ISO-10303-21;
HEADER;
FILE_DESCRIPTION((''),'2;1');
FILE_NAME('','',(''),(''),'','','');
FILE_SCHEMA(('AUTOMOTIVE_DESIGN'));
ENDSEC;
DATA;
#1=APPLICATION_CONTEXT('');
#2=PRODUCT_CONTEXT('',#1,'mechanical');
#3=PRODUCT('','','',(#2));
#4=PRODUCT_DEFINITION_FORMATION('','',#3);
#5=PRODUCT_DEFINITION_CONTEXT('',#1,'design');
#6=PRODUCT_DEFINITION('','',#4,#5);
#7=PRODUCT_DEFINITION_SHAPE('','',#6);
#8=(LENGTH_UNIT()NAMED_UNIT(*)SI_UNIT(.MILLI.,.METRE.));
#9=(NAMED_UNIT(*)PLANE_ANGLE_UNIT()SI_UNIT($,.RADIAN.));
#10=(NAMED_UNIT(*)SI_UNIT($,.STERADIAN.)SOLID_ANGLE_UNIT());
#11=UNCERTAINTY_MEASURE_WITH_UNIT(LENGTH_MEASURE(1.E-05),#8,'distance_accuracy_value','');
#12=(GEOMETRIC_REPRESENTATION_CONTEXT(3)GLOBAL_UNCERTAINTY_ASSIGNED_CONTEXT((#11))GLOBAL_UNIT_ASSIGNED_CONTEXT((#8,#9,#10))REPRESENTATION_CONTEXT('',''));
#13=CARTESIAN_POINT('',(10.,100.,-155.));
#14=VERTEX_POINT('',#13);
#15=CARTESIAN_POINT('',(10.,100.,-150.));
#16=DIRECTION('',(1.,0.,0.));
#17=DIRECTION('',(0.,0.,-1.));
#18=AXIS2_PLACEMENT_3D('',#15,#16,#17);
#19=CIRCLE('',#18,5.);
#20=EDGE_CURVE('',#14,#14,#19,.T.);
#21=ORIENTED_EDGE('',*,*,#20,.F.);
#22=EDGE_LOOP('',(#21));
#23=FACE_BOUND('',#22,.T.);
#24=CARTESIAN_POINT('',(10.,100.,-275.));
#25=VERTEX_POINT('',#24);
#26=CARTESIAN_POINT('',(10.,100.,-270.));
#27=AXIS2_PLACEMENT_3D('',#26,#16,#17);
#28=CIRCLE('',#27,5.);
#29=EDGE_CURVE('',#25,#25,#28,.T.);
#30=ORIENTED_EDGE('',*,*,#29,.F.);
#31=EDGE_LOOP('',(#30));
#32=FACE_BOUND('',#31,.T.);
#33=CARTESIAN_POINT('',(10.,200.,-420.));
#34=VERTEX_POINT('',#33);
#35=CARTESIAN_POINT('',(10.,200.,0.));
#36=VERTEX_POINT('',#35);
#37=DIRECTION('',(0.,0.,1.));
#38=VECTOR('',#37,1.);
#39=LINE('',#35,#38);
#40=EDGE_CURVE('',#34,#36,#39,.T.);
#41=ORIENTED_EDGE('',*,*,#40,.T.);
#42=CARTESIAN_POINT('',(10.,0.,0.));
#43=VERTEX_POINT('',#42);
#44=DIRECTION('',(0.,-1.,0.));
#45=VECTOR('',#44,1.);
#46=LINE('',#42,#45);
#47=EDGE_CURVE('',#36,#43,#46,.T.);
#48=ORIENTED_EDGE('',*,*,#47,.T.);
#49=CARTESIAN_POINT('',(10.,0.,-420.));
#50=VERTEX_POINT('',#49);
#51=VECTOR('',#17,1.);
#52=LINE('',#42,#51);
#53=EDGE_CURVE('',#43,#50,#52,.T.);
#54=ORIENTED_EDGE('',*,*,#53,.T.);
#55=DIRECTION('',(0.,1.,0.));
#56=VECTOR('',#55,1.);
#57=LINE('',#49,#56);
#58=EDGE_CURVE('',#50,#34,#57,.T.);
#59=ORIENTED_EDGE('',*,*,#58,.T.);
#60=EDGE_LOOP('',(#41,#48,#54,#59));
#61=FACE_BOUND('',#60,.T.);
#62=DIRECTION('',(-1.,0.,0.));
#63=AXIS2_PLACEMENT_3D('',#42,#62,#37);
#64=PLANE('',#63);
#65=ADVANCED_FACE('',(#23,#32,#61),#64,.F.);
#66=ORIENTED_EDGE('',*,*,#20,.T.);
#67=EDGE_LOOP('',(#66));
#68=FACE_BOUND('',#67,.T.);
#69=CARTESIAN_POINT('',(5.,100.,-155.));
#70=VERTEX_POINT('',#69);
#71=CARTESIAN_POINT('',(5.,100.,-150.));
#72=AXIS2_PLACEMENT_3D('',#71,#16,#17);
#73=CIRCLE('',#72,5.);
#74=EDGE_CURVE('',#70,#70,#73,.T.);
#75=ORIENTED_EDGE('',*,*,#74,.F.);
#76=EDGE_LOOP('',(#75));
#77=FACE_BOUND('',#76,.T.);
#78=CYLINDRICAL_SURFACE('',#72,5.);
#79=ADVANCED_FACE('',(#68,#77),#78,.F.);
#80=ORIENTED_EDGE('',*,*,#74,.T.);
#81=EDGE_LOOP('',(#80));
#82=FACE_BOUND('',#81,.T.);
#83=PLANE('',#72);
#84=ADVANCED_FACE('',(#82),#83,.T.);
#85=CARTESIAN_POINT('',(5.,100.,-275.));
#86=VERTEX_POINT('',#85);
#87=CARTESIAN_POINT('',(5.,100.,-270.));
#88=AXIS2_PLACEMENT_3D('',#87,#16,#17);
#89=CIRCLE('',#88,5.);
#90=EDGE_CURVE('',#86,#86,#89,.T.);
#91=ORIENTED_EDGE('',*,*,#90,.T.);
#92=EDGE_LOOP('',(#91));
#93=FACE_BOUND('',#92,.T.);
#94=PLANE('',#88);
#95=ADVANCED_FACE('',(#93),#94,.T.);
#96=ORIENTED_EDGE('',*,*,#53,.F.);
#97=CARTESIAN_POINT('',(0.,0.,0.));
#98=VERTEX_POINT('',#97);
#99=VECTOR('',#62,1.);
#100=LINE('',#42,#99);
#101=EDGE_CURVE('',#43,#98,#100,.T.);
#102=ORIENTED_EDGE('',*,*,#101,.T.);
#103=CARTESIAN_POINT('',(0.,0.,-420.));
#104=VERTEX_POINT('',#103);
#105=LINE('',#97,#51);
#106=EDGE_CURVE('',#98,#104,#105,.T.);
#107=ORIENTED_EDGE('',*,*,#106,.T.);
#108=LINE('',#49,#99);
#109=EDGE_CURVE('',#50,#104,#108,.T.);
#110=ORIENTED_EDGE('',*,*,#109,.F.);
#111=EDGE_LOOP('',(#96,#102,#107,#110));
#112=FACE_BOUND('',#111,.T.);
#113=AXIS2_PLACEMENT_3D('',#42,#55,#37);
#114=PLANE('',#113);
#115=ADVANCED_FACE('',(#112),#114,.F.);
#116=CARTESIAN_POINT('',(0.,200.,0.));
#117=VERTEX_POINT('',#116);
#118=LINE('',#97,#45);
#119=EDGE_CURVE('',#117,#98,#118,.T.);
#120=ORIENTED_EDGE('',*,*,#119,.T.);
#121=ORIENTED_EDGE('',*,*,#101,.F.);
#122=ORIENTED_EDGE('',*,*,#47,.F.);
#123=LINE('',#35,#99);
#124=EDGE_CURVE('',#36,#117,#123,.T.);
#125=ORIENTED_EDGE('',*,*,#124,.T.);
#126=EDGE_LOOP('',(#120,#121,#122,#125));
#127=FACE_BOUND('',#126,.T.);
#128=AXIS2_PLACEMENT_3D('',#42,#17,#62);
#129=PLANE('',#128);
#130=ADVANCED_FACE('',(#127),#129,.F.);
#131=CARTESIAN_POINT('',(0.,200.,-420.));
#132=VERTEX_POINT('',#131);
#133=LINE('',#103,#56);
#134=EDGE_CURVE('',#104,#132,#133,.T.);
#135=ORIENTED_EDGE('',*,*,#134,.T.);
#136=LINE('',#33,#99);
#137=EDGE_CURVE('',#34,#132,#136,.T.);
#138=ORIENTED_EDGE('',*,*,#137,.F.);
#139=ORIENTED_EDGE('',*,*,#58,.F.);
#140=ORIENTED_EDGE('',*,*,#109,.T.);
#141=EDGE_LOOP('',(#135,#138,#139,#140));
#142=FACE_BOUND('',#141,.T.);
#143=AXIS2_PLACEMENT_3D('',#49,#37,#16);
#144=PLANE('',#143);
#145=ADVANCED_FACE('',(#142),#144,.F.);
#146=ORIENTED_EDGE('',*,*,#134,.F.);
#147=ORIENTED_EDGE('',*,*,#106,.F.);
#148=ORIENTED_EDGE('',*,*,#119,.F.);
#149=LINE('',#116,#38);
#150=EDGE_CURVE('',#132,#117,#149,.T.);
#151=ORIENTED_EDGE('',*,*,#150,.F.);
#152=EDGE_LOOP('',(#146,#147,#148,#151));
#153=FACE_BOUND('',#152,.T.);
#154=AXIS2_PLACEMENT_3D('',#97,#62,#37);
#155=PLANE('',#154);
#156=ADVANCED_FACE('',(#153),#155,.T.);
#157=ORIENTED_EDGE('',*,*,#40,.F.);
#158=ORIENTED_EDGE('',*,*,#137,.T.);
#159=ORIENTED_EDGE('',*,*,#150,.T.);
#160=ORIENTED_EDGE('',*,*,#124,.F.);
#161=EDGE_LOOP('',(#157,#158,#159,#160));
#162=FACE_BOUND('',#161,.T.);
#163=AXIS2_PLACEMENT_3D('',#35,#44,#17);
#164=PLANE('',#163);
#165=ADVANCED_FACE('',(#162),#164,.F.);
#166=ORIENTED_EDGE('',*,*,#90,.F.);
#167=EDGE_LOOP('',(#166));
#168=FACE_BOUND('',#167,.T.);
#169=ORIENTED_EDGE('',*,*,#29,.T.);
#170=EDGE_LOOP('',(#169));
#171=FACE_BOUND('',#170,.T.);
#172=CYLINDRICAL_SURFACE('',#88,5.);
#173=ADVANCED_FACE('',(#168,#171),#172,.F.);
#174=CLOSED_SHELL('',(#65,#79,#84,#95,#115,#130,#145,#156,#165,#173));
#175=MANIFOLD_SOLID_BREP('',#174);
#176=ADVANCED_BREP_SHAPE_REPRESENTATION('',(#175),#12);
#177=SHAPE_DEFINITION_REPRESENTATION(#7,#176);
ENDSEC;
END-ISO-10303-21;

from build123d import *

# Parameters (mm, degrees)
SKETCH_1_W          = 420
SKETCH_1_H          = 200
EXTRUDE_1_DEPTH     = 10
SKETCH_2_R          = 5
CUT_EXTRUDE_1_DEPTH = 5


with BuildPart() as part:
    # Эскиз1 → Бобышка-Вытянуть1 (new body)
    with BuildSketch(Plane(origin=(0, 0, 0), x_dir=(0, 0, -1), z_dir=(1, 0, 0))):
        with Locations((210, 100)):
            Rectangle(SKETCH_1_W, SKETCH_1_H)
    extrude(amount=EXTRUDE_1_DEPTH)

    # Эскиз2 → Вырез-Вытянуть1 (cut)
    with BuildSketch(Plane(origin=(10, 0, 0), x_dir=(0, 0, -1), z_dir=(1, 0, 0))):
        with Locations((150, 100)):
            Circle(SKETCH_2_R)
        with Locations((270, 100)):
            Circle(SKETCH_2_R)
    extrude(amount=-CUT_EXTRUDE_1_DEPTH, mode=Mode.SUBTRACT)


solid = part.part
